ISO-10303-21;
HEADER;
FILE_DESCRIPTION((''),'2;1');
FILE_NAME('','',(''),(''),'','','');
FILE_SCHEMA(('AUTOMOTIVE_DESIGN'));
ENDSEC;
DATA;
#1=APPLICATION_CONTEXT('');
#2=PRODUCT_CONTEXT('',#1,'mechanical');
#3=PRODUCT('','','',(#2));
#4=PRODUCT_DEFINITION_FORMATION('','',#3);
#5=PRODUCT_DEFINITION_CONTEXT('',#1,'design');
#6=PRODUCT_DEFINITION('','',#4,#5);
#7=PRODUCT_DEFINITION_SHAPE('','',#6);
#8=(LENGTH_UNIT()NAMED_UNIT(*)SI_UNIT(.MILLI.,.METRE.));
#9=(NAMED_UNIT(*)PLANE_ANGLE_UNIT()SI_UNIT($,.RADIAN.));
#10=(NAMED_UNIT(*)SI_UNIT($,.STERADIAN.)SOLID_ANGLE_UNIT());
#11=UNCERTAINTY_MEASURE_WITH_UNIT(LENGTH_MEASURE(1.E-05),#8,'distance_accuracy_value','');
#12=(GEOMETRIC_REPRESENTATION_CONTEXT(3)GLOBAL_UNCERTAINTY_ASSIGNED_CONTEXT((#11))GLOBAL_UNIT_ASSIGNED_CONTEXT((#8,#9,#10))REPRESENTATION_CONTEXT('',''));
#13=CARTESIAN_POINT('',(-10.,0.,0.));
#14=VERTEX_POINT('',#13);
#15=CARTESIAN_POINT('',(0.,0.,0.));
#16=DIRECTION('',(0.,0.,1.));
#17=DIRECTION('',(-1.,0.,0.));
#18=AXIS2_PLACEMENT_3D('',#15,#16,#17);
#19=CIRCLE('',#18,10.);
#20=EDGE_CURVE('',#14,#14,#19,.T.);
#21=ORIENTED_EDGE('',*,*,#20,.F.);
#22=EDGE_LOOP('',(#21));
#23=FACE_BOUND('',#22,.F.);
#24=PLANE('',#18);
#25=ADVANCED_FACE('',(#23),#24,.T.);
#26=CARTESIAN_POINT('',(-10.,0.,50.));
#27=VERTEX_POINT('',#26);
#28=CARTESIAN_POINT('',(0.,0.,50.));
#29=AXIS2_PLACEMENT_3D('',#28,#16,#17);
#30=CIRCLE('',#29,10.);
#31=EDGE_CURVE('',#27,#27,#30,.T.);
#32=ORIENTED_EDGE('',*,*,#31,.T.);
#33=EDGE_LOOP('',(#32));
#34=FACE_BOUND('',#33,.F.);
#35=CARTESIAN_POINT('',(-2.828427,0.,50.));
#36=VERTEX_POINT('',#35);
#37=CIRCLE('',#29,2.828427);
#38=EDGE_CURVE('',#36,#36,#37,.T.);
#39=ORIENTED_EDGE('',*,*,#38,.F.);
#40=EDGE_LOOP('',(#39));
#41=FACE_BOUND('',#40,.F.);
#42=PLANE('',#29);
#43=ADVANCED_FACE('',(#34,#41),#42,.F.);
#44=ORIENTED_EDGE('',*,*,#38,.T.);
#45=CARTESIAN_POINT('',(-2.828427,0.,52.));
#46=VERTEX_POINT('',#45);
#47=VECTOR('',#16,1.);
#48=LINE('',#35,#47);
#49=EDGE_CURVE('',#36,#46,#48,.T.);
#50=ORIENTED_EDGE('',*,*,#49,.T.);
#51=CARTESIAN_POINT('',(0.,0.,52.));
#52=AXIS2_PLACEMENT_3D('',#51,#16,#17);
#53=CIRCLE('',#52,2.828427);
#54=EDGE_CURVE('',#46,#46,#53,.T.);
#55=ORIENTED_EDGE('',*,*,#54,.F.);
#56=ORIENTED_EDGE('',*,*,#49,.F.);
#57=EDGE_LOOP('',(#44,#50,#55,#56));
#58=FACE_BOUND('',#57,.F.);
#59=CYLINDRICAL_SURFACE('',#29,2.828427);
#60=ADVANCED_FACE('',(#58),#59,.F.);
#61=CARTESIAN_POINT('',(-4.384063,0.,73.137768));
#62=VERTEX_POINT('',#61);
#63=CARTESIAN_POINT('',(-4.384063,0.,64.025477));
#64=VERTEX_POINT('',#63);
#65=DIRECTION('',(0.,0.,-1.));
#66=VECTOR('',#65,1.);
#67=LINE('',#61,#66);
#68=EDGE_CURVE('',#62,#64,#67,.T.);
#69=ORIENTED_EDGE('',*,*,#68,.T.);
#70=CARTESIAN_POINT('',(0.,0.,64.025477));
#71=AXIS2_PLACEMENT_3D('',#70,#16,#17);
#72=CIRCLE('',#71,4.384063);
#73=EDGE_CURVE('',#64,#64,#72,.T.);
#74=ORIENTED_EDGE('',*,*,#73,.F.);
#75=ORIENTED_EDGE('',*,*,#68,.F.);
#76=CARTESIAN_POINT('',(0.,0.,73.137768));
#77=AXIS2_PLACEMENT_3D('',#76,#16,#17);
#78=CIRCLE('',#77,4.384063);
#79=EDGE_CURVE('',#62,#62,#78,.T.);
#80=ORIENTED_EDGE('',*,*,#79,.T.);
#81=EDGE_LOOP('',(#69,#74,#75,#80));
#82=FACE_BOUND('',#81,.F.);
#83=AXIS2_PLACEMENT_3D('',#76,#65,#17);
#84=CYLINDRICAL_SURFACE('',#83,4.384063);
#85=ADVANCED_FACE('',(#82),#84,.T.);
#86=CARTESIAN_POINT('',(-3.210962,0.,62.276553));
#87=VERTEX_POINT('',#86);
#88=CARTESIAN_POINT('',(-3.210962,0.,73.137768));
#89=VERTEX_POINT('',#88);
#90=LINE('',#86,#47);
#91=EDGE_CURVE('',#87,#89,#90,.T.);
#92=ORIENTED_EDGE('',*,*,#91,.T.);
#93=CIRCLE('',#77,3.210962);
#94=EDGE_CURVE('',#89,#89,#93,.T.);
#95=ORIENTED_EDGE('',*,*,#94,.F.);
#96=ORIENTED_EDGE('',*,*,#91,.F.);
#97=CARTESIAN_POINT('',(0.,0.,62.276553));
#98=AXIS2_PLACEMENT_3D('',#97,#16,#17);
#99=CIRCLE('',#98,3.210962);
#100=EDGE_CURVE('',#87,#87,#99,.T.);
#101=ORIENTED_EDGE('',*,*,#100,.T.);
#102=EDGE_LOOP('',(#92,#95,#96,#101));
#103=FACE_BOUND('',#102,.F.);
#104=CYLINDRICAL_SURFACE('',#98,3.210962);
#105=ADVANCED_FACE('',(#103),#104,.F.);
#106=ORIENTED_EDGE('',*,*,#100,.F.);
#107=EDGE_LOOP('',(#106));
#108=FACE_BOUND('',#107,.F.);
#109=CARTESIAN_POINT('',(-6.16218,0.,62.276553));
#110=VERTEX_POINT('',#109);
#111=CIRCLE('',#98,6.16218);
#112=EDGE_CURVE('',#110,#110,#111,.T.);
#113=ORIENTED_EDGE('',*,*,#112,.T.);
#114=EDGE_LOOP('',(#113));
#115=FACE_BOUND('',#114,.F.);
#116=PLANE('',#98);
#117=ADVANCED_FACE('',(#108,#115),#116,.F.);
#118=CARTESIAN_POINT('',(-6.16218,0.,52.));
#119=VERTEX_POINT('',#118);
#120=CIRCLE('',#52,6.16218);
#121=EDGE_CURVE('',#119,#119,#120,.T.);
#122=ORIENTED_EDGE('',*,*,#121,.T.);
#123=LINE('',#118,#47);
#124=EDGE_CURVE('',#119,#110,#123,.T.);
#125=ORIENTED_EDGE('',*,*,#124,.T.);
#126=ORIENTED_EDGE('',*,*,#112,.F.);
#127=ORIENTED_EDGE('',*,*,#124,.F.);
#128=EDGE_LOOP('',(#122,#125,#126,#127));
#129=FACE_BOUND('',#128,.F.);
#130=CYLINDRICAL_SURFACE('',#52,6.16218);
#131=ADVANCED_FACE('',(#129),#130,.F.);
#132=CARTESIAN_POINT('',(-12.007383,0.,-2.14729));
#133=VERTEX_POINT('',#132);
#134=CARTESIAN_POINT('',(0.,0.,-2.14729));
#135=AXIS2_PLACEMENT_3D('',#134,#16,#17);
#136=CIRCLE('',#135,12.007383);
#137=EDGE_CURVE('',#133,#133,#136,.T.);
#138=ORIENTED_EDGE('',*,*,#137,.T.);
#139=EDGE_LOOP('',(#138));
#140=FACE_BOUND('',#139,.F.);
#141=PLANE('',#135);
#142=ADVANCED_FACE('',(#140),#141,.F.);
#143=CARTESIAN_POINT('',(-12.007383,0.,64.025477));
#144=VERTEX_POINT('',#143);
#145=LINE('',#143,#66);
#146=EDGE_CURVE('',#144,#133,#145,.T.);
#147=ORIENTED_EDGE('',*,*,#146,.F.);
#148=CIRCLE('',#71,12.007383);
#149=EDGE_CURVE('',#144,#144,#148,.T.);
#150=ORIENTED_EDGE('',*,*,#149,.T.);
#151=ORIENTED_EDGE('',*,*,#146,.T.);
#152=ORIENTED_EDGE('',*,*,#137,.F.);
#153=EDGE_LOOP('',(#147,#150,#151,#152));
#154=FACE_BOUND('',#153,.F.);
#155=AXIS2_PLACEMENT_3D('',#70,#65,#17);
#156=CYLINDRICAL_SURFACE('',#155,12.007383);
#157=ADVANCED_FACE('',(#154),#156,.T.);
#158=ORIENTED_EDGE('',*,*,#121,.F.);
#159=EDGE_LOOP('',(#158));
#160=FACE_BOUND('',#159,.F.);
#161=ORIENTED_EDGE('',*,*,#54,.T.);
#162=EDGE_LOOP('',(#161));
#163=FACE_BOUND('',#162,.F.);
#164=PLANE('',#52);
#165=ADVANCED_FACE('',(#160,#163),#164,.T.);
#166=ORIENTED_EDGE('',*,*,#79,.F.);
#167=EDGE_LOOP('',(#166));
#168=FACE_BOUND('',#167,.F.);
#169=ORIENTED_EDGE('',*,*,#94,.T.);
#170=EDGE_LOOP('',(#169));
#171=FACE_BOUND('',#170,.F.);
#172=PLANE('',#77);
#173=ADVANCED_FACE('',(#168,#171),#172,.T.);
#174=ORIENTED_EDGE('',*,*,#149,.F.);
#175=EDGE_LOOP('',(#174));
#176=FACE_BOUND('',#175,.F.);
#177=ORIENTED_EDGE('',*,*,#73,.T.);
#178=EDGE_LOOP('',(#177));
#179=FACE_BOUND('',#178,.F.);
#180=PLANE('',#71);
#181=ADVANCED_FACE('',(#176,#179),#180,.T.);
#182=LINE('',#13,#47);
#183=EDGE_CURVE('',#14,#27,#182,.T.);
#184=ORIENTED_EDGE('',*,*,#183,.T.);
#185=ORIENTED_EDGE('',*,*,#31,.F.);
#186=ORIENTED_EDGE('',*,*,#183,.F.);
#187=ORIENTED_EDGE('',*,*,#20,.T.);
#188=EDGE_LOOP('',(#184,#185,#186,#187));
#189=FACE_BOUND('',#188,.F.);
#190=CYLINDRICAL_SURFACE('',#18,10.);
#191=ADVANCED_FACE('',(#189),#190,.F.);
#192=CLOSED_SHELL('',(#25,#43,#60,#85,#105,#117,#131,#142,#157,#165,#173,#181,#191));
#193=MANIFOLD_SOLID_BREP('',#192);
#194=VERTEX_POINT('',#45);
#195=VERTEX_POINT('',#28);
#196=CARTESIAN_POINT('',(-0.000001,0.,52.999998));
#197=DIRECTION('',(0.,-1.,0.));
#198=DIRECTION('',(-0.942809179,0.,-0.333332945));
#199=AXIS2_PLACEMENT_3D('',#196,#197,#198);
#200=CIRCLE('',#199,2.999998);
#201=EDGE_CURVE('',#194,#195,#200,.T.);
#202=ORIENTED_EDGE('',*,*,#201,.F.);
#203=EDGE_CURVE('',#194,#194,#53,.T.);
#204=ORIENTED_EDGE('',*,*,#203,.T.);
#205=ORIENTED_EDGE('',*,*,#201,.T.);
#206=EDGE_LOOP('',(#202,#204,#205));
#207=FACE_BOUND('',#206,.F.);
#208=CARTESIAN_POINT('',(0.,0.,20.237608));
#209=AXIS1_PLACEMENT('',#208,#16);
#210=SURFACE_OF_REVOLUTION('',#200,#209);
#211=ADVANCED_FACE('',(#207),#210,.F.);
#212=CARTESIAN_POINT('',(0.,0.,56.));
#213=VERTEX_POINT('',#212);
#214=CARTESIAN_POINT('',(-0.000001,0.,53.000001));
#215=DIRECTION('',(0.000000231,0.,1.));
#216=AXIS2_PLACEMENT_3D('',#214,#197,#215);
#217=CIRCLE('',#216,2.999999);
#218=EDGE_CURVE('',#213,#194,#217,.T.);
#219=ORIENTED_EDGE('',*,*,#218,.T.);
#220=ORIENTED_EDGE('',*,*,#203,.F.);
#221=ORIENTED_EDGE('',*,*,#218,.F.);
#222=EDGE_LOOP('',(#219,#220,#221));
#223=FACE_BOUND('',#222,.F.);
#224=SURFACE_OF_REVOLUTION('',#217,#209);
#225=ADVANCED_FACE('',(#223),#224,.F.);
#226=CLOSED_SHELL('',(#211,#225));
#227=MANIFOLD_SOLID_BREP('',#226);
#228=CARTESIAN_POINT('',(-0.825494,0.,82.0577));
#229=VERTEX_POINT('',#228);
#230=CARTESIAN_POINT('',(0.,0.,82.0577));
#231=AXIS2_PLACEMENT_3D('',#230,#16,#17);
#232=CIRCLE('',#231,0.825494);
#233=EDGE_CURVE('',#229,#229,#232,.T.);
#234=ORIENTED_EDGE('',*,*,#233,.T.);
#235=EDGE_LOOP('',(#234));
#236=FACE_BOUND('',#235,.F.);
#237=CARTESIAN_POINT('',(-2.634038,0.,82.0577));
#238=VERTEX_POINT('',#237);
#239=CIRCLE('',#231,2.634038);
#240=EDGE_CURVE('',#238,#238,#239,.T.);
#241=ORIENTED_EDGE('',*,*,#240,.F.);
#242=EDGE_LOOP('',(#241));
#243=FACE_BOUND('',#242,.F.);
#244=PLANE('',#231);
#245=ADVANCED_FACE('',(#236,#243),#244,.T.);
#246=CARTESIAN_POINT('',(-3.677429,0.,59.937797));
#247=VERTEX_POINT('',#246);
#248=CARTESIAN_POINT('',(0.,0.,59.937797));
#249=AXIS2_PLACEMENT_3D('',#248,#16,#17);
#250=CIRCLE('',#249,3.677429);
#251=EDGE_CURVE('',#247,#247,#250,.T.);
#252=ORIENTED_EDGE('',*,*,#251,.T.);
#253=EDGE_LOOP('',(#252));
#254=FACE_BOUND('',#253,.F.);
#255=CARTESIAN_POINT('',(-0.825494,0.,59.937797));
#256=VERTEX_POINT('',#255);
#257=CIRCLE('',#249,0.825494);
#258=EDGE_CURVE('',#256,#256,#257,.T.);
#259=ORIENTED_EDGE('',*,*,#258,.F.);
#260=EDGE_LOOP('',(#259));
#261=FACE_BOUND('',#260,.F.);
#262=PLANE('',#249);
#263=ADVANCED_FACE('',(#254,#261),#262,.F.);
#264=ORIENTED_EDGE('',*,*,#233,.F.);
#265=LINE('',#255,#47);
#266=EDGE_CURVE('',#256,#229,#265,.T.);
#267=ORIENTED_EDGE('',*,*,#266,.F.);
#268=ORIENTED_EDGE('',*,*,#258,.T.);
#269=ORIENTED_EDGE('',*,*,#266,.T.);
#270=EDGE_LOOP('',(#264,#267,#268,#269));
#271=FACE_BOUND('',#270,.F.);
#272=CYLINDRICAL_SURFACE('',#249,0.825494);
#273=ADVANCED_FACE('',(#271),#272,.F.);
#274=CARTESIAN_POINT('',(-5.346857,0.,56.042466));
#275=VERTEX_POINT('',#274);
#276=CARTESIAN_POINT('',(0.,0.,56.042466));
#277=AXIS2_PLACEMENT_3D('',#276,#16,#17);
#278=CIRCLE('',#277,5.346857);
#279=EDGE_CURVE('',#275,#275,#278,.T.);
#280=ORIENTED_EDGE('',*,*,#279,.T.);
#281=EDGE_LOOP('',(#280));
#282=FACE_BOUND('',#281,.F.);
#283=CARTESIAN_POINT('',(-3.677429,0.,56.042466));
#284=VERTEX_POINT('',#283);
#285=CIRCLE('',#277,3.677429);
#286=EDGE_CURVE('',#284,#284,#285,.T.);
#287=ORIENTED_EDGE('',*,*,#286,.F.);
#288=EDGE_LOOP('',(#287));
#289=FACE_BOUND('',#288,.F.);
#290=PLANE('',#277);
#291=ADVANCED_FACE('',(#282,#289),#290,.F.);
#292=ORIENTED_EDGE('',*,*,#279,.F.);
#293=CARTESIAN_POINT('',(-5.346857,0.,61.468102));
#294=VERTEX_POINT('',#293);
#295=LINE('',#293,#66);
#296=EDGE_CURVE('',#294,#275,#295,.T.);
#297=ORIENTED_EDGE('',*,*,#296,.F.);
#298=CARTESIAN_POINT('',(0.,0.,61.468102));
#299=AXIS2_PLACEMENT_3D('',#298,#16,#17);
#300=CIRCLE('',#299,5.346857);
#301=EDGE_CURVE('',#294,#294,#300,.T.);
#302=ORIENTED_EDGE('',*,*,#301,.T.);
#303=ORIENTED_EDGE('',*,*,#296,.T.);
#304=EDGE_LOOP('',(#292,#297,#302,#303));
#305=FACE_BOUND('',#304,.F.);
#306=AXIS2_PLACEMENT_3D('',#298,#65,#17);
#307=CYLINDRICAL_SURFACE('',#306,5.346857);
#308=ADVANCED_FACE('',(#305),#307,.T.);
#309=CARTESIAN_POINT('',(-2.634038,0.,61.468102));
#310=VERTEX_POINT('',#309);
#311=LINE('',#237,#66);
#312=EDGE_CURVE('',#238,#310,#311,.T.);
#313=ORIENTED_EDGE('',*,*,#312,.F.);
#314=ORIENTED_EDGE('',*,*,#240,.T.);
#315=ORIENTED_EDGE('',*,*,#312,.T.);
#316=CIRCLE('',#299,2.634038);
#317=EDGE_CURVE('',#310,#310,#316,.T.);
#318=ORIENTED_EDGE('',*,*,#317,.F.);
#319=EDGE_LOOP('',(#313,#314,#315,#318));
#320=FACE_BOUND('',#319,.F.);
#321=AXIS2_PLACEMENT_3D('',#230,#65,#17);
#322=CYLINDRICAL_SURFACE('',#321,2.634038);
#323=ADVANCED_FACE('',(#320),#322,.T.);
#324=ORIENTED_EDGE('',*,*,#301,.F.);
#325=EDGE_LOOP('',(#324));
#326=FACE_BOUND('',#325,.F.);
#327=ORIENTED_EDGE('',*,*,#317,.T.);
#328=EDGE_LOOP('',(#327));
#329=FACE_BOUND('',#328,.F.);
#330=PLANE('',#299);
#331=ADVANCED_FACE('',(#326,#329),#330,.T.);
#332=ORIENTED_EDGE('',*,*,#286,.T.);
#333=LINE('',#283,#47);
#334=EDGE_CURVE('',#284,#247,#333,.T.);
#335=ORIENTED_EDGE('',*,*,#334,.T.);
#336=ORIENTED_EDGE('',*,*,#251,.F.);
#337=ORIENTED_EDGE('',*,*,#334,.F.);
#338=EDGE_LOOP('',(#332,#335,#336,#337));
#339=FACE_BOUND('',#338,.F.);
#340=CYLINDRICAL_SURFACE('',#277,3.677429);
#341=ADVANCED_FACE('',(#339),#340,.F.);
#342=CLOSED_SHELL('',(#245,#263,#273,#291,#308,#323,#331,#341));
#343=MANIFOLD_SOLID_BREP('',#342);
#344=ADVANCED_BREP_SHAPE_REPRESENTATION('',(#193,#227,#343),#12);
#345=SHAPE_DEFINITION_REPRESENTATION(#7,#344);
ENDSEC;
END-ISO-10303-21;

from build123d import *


with BuildPart() as f1:
    # F0 (on Front) → F1 (revolve)
    with BuildSketch(Plane.XZ):
        with BuildLine():
            ThreePointArc((0, 56), (-2.44949, 54.732051), (-2.828427, 52))
            ThreePointArc((-2.828427, 52), (-1.732051, 50.55051), (0, 50))
            Line((0, 50), (0, 56))
        make_face()
        Polygon((-10, 0), (-10, 50), (-2.828427, 50), (-2.828427, 52), (-6.16218, 52), (-6.16218, 62.276553), (-3.210962, 62.276553), (-3.210962, 73.137768), (-4.384063, 73.137768), (-4.384063, 64.025477), (-12.007383, 64.025477), (-12.007383, -2.14729), (0, -2.14729), (0, 0), align=None)
        Polygon((-0.825494, 82.0577), (-2.634038, 82.0577), (-2.634038, 61.468102), (-5.346857, 61.468102), (-5.346857, 56.042466), (-3.677429, 56.042466), (-3.677429, 59.937797), (-0.825494, 59.937797), align=None)
    revolve(axis=Axis((0, 0, 20.237608), (0, 0, 1)))


solid = f1.part
